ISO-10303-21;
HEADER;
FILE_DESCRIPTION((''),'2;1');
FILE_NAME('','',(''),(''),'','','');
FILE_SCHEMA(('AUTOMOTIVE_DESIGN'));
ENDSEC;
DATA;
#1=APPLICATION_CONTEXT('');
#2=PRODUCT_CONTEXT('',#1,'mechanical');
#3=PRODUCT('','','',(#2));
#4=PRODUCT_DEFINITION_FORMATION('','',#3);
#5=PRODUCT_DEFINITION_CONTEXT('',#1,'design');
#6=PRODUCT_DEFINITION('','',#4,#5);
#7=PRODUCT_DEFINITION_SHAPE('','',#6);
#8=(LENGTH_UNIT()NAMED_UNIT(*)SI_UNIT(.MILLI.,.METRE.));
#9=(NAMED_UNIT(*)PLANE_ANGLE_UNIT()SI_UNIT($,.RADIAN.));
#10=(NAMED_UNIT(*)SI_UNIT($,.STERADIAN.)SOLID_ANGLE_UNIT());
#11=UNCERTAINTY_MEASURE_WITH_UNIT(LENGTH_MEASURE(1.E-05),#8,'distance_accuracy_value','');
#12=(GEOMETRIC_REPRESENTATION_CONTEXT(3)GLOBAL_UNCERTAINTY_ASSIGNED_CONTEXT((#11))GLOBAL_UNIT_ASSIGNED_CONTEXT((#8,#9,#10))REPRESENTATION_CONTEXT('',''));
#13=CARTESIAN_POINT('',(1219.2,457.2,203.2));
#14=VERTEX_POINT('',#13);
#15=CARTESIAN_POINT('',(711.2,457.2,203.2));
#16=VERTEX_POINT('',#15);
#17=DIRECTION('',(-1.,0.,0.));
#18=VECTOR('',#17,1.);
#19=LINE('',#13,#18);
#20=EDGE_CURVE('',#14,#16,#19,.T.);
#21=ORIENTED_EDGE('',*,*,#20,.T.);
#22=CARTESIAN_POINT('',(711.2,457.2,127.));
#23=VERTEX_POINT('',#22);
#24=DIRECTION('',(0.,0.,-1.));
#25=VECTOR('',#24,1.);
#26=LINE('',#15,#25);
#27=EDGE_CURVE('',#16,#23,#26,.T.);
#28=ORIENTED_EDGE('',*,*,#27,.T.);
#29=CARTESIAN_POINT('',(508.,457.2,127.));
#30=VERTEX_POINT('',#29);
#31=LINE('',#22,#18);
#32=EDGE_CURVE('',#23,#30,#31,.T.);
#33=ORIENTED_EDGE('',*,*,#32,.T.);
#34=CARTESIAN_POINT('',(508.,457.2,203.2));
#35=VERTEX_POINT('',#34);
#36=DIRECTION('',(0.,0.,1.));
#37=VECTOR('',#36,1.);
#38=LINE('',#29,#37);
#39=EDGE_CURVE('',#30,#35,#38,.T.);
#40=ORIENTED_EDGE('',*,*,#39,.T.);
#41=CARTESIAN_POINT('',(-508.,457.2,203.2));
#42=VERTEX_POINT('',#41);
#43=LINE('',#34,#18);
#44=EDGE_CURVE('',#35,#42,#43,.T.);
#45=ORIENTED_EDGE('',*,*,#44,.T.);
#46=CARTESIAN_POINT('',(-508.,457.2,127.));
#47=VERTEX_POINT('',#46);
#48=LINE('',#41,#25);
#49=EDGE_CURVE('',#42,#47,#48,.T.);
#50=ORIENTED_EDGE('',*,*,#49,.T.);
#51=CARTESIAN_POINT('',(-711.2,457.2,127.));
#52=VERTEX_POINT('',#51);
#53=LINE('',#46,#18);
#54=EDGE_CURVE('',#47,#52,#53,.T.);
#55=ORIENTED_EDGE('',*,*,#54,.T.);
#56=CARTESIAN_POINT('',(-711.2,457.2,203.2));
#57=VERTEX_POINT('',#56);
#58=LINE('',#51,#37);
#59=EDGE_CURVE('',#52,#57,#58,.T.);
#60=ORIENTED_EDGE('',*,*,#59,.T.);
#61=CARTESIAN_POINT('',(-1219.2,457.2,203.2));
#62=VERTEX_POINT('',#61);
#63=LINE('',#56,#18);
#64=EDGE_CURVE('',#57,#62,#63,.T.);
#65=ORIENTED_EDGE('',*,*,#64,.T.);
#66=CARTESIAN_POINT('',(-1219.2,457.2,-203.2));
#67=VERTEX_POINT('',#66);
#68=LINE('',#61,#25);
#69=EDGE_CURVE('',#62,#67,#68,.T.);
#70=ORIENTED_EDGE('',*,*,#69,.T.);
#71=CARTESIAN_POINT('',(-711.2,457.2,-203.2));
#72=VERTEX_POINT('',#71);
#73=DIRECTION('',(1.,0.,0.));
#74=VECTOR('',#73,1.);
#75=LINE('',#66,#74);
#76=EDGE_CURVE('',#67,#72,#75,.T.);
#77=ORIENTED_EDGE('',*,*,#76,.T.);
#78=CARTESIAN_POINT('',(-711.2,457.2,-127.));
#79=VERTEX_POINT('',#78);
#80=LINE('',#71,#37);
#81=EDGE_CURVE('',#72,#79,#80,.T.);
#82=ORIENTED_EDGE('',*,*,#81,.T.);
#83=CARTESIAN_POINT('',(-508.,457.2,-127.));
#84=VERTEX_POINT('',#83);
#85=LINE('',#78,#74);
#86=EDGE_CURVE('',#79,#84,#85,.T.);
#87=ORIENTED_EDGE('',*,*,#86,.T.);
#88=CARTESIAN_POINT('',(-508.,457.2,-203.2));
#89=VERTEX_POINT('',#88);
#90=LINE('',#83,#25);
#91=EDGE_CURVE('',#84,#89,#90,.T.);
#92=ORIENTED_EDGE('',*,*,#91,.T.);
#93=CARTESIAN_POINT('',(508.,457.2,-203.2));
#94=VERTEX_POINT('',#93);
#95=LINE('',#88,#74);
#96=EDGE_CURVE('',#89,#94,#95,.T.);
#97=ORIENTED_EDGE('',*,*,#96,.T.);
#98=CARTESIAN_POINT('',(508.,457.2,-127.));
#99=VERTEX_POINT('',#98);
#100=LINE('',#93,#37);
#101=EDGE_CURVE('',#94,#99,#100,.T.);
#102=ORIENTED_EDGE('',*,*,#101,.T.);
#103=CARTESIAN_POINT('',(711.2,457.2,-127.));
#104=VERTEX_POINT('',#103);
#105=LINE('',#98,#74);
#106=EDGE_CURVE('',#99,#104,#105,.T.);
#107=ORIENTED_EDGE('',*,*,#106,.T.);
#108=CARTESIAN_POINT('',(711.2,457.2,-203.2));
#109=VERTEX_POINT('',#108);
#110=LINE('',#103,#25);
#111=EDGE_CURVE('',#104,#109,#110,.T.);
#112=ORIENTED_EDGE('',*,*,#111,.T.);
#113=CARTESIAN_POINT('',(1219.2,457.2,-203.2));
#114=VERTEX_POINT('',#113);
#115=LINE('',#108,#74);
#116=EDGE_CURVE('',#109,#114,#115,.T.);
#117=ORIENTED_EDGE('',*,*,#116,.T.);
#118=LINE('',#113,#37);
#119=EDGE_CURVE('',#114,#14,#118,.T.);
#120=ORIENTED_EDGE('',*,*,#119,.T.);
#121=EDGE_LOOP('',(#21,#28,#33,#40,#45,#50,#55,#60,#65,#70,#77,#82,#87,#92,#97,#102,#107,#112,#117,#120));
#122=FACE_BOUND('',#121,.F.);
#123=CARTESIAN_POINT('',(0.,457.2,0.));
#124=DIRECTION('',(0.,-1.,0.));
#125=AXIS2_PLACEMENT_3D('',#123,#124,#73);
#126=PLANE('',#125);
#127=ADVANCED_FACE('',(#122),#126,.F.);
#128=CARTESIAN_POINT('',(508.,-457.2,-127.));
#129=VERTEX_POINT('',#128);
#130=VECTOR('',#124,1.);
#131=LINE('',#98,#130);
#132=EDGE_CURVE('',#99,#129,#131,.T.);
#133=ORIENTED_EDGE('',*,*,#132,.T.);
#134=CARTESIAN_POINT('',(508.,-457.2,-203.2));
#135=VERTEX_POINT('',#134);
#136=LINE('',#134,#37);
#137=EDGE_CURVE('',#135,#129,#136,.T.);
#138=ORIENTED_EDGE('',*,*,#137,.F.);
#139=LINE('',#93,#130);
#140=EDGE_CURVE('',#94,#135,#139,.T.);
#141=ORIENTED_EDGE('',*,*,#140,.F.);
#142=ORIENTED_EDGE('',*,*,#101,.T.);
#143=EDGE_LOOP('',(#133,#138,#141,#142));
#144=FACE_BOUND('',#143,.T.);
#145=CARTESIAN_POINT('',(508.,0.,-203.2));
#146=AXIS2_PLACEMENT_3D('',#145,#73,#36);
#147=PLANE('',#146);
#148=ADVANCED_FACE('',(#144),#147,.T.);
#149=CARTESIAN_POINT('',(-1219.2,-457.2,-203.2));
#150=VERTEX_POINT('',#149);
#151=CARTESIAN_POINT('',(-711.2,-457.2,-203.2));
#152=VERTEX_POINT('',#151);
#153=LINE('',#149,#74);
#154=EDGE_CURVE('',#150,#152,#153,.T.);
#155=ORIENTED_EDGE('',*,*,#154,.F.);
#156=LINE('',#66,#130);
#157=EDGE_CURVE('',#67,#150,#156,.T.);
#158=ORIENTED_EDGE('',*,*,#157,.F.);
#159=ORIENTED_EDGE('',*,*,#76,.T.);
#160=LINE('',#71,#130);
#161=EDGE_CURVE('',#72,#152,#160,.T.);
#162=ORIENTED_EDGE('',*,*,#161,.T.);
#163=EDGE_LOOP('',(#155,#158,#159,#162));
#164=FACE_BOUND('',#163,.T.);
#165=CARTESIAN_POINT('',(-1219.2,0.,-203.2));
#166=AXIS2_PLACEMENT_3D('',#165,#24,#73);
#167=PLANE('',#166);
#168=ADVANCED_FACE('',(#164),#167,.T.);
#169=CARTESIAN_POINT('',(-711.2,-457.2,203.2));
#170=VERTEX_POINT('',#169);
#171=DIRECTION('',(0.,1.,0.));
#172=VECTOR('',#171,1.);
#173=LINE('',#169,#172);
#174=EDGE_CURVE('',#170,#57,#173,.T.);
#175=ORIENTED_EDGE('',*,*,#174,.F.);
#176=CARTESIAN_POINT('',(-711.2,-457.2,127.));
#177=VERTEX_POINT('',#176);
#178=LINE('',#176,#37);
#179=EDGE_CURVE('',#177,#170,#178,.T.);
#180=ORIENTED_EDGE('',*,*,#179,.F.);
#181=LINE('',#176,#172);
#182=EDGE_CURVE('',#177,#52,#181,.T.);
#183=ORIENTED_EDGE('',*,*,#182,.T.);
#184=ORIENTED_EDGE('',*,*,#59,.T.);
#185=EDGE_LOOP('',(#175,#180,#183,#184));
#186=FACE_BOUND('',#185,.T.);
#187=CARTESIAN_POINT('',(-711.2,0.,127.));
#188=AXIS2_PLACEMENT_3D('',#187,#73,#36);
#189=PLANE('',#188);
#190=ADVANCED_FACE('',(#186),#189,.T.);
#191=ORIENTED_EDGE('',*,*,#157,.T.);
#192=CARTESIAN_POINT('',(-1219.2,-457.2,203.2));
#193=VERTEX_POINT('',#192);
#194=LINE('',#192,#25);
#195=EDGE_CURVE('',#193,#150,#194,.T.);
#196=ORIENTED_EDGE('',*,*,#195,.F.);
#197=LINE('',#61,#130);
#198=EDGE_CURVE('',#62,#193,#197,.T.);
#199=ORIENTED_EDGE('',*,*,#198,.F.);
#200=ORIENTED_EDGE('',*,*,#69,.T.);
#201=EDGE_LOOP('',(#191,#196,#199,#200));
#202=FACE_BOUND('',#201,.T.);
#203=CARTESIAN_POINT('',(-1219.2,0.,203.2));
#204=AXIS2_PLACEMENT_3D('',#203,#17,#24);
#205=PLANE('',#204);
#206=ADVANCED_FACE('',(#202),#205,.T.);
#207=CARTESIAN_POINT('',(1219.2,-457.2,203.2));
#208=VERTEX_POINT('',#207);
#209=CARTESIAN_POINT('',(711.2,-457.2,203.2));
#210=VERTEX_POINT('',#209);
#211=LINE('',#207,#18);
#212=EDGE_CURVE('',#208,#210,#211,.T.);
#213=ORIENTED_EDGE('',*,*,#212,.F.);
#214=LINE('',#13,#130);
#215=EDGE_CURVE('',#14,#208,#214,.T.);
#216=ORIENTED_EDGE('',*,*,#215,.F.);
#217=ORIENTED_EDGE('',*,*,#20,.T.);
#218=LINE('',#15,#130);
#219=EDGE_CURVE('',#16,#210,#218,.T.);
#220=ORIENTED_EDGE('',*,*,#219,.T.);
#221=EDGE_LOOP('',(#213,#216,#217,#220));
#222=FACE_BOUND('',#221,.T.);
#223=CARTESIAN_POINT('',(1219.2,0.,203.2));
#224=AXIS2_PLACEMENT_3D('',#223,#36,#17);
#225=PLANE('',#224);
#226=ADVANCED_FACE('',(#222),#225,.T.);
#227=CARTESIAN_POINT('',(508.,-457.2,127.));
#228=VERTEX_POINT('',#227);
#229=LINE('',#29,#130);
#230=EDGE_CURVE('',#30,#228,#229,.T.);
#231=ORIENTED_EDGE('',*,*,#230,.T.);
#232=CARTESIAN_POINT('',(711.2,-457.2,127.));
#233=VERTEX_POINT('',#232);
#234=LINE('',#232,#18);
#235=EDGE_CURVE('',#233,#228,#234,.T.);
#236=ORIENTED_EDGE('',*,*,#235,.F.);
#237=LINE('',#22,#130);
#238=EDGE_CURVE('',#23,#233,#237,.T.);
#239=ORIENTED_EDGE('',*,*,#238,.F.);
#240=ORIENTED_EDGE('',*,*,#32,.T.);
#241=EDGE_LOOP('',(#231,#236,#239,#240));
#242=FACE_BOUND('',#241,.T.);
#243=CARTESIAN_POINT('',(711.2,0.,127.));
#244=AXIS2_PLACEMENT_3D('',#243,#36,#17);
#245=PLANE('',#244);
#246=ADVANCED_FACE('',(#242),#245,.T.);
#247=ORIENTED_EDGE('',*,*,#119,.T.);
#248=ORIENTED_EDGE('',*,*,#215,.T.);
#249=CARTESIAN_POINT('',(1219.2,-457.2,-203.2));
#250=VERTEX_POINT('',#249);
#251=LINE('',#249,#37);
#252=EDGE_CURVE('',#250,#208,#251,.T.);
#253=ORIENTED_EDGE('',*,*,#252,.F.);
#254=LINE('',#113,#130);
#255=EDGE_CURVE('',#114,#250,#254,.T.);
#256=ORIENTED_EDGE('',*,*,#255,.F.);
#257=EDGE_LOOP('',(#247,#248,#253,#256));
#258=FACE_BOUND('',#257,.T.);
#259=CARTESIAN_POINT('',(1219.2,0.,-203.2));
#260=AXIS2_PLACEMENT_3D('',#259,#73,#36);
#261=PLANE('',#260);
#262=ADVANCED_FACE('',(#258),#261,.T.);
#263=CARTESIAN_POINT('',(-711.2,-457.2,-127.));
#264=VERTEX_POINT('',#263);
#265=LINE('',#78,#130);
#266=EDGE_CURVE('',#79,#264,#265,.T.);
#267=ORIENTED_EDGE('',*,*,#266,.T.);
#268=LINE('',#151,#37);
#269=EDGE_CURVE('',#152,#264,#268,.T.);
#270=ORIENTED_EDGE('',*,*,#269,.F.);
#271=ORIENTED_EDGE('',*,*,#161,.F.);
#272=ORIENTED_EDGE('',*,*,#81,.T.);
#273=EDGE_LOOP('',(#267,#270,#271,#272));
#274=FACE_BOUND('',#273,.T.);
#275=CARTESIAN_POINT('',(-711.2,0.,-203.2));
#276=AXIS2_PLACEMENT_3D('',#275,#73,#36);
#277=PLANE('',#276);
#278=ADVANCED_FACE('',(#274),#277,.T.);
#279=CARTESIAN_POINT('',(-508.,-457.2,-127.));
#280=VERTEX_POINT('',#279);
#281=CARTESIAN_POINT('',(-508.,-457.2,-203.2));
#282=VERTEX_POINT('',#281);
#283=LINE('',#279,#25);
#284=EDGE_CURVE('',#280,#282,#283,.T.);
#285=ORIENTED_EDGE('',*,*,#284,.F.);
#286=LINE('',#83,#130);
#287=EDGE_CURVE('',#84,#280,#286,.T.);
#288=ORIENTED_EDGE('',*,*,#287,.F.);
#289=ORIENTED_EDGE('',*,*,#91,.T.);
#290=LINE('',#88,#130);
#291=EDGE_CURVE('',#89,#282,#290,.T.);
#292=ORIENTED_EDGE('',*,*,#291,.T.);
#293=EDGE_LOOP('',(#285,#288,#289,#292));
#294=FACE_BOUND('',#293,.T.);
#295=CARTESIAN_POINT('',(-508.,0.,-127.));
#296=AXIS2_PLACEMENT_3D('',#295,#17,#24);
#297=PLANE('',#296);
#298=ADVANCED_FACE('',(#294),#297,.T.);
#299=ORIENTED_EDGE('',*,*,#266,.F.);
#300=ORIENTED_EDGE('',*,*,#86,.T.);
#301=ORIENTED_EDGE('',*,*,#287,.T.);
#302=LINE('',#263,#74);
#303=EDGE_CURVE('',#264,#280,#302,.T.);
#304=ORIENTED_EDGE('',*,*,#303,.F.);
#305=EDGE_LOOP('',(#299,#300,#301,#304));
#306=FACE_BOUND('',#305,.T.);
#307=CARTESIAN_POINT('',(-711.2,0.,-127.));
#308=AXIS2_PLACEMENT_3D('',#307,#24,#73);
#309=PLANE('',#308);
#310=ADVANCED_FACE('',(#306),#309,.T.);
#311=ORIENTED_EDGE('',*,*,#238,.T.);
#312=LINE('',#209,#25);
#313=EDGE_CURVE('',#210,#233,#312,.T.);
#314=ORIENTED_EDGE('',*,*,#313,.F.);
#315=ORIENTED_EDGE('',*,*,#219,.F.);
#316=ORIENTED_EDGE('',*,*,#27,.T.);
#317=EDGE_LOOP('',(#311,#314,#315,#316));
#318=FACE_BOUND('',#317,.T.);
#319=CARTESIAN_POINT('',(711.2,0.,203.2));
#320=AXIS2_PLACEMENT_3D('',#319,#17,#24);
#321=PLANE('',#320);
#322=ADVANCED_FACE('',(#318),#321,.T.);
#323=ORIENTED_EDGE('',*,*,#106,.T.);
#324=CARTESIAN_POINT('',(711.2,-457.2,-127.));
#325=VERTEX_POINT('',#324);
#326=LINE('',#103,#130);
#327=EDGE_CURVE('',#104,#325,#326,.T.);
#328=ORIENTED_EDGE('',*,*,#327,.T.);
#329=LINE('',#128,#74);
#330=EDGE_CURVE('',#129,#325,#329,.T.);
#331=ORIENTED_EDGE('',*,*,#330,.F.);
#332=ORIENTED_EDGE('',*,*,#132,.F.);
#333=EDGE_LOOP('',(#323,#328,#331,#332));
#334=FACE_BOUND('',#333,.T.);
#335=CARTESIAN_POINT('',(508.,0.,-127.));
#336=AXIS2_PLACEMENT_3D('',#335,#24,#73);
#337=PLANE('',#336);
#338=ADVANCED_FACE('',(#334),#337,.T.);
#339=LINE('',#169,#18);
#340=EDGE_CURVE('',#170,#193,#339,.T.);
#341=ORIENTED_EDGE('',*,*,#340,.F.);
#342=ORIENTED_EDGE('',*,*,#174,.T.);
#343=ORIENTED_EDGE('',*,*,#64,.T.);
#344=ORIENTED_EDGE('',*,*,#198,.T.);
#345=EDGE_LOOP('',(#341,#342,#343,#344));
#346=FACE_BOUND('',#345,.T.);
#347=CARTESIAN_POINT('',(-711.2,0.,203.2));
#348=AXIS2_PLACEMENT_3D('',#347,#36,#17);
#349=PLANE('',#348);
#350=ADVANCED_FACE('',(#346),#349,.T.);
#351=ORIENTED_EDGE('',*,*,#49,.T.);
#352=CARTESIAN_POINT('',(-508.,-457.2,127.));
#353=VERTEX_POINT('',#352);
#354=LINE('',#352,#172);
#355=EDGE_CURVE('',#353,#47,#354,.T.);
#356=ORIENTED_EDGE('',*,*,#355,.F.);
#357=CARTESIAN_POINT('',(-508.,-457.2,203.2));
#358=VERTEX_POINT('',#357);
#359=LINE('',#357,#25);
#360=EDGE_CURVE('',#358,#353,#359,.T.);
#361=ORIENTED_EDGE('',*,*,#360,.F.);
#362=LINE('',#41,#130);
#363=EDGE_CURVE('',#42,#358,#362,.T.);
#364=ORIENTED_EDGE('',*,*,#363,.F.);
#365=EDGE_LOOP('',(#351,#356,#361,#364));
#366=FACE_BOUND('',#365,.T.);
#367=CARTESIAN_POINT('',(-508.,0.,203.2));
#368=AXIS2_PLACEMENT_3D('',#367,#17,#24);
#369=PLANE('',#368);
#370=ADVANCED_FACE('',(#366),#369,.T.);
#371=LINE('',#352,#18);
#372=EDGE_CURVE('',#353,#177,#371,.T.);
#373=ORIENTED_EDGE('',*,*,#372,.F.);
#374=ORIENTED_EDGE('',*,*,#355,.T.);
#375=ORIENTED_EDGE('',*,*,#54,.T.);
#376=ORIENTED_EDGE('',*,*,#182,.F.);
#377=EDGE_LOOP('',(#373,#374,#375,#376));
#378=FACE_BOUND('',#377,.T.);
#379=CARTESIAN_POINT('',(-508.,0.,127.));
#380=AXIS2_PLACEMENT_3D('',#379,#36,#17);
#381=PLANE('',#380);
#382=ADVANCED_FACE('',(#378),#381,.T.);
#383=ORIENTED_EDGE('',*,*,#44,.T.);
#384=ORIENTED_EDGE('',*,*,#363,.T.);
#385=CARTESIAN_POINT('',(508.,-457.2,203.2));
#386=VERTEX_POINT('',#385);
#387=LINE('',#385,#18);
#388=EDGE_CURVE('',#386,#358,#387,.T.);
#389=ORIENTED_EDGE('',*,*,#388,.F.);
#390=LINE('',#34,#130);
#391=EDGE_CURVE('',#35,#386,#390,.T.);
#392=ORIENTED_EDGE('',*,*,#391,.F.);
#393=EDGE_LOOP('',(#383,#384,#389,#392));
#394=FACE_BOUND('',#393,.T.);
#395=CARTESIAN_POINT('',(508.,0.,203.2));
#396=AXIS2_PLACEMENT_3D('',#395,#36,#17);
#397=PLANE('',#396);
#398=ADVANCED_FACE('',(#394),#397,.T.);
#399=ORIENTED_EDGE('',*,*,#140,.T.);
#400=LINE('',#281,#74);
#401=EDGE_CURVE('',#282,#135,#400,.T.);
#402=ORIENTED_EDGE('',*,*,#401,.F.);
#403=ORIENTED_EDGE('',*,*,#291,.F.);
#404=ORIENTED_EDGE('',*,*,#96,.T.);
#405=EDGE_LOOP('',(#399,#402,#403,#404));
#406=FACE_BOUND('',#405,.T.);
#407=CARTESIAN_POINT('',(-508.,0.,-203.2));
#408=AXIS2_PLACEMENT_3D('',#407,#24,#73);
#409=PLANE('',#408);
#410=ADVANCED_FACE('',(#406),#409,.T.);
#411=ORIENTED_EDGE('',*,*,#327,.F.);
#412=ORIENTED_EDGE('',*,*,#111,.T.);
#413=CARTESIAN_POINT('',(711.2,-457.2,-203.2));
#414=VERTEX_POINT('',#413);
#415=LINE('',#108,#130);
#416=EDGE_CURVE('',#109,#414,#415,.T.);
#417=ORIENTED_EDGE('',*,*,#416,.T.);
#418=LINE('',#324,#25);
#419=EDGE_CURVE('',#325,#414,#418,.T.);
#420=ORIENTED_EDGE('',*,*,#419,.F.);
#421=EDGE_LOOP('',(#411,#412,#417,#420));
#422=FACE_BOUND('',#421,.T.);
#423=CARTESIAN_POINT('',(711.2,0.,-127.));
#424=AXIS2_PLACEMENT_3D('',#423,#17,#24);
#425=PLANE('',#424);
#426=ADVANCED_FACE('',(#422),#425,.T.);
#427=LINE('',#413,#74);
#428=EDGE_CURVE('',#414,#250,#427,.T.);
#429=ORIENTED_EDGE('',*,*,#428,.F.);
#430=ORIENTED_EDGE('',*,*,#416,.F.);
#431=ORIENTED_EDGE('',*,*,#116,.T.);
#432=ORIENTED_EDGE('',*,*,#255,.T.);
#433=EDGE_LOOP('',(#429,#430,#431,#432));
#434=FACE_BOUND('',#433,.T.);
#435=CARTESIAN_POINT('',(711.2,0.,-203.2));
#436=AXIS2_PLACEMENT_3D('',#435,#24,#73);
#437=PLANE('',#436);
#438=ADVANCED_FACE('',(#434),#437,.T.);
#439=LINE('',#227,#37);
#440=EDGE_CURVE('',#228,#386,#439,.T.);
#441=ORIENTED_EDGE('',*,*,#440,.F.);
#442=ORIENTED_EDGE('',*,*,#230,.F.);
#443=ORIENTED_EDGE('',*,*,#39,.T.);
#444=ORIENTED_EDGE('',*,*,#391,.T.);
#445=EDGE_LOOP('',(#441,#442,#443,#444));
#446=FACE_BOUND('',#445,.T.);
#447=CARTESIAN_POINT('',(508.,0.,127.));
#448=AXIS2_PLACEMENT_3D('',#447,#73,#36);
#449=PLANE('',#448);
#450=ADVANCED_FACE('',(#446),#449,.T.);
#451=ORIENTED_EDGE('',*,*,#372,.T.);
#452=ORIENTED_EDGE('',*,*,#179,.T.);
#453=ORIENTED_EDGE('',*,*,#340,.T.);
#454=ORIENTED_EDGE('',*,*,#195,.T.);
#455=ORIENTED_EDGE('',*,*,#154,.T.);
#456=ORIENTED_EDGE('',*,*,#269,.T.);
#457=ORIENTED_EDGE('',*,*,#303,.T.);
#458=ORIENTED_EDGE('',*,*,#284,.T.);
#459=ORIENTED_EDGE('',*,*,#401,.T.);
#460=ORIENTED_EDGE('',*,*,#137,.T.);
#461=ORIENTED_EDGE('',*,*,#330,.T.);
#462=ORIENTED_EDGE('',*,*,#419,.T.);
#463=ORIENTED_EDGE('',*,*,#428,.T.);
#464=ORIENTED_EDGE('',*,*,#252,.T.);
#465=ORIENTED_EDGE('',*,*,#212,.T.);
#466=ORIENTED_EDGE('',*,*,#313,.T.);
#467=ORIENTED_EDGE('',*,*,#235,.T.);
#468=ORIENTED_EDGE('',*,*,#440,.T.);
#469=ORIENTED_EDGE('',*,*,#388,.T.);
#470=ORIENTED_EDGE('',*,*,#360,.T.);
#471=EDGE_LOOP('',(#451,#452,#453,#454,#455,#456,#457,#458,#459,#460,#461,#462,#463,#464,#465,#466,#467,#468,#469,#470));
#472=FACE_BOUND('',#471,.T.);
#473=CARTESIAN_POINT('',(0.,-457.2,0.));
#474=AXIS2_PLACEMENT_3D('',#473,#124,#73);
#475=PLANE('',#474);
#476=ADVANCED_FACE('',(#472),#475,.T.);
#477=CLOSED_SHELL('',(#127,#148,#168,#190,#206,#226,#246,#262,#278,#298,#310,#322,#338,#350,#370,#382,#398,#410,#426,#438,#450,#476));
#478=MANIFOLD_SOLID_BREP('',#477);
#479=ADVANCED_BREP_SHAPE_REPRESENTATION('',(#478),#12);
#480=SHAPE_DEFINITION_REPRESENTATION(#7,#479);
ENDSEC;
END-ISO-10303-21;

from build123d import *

# Parameters (mm, degrees)
F1_DEPTH = 457.2


with BuildPart() as f1:
    # F0 (on Front) → F1 (new body, symmetric)
    with BuildSketch(Plane.XZ):
        Polygon((-711.2, 203.2), (-1219.2, 203.2), (-1219.2, -203.2), (-711.2, -203.2), (-711.2, -127), (-508, -127), (-508, -203.2), (508, -203.2), (508, -127), (711.2, -127), (711.2, -203.2), (1219.2, -203.2), (1219.2, 203.2), (711.2, 203.2), (711.2, 127), (508, 127), (508, 203.2), (-508, 203.2), (-508, 127), (-711.2, 127), align=None)
    extrude(amount=F1_DEPTH, both=True)


solid = f1.part
